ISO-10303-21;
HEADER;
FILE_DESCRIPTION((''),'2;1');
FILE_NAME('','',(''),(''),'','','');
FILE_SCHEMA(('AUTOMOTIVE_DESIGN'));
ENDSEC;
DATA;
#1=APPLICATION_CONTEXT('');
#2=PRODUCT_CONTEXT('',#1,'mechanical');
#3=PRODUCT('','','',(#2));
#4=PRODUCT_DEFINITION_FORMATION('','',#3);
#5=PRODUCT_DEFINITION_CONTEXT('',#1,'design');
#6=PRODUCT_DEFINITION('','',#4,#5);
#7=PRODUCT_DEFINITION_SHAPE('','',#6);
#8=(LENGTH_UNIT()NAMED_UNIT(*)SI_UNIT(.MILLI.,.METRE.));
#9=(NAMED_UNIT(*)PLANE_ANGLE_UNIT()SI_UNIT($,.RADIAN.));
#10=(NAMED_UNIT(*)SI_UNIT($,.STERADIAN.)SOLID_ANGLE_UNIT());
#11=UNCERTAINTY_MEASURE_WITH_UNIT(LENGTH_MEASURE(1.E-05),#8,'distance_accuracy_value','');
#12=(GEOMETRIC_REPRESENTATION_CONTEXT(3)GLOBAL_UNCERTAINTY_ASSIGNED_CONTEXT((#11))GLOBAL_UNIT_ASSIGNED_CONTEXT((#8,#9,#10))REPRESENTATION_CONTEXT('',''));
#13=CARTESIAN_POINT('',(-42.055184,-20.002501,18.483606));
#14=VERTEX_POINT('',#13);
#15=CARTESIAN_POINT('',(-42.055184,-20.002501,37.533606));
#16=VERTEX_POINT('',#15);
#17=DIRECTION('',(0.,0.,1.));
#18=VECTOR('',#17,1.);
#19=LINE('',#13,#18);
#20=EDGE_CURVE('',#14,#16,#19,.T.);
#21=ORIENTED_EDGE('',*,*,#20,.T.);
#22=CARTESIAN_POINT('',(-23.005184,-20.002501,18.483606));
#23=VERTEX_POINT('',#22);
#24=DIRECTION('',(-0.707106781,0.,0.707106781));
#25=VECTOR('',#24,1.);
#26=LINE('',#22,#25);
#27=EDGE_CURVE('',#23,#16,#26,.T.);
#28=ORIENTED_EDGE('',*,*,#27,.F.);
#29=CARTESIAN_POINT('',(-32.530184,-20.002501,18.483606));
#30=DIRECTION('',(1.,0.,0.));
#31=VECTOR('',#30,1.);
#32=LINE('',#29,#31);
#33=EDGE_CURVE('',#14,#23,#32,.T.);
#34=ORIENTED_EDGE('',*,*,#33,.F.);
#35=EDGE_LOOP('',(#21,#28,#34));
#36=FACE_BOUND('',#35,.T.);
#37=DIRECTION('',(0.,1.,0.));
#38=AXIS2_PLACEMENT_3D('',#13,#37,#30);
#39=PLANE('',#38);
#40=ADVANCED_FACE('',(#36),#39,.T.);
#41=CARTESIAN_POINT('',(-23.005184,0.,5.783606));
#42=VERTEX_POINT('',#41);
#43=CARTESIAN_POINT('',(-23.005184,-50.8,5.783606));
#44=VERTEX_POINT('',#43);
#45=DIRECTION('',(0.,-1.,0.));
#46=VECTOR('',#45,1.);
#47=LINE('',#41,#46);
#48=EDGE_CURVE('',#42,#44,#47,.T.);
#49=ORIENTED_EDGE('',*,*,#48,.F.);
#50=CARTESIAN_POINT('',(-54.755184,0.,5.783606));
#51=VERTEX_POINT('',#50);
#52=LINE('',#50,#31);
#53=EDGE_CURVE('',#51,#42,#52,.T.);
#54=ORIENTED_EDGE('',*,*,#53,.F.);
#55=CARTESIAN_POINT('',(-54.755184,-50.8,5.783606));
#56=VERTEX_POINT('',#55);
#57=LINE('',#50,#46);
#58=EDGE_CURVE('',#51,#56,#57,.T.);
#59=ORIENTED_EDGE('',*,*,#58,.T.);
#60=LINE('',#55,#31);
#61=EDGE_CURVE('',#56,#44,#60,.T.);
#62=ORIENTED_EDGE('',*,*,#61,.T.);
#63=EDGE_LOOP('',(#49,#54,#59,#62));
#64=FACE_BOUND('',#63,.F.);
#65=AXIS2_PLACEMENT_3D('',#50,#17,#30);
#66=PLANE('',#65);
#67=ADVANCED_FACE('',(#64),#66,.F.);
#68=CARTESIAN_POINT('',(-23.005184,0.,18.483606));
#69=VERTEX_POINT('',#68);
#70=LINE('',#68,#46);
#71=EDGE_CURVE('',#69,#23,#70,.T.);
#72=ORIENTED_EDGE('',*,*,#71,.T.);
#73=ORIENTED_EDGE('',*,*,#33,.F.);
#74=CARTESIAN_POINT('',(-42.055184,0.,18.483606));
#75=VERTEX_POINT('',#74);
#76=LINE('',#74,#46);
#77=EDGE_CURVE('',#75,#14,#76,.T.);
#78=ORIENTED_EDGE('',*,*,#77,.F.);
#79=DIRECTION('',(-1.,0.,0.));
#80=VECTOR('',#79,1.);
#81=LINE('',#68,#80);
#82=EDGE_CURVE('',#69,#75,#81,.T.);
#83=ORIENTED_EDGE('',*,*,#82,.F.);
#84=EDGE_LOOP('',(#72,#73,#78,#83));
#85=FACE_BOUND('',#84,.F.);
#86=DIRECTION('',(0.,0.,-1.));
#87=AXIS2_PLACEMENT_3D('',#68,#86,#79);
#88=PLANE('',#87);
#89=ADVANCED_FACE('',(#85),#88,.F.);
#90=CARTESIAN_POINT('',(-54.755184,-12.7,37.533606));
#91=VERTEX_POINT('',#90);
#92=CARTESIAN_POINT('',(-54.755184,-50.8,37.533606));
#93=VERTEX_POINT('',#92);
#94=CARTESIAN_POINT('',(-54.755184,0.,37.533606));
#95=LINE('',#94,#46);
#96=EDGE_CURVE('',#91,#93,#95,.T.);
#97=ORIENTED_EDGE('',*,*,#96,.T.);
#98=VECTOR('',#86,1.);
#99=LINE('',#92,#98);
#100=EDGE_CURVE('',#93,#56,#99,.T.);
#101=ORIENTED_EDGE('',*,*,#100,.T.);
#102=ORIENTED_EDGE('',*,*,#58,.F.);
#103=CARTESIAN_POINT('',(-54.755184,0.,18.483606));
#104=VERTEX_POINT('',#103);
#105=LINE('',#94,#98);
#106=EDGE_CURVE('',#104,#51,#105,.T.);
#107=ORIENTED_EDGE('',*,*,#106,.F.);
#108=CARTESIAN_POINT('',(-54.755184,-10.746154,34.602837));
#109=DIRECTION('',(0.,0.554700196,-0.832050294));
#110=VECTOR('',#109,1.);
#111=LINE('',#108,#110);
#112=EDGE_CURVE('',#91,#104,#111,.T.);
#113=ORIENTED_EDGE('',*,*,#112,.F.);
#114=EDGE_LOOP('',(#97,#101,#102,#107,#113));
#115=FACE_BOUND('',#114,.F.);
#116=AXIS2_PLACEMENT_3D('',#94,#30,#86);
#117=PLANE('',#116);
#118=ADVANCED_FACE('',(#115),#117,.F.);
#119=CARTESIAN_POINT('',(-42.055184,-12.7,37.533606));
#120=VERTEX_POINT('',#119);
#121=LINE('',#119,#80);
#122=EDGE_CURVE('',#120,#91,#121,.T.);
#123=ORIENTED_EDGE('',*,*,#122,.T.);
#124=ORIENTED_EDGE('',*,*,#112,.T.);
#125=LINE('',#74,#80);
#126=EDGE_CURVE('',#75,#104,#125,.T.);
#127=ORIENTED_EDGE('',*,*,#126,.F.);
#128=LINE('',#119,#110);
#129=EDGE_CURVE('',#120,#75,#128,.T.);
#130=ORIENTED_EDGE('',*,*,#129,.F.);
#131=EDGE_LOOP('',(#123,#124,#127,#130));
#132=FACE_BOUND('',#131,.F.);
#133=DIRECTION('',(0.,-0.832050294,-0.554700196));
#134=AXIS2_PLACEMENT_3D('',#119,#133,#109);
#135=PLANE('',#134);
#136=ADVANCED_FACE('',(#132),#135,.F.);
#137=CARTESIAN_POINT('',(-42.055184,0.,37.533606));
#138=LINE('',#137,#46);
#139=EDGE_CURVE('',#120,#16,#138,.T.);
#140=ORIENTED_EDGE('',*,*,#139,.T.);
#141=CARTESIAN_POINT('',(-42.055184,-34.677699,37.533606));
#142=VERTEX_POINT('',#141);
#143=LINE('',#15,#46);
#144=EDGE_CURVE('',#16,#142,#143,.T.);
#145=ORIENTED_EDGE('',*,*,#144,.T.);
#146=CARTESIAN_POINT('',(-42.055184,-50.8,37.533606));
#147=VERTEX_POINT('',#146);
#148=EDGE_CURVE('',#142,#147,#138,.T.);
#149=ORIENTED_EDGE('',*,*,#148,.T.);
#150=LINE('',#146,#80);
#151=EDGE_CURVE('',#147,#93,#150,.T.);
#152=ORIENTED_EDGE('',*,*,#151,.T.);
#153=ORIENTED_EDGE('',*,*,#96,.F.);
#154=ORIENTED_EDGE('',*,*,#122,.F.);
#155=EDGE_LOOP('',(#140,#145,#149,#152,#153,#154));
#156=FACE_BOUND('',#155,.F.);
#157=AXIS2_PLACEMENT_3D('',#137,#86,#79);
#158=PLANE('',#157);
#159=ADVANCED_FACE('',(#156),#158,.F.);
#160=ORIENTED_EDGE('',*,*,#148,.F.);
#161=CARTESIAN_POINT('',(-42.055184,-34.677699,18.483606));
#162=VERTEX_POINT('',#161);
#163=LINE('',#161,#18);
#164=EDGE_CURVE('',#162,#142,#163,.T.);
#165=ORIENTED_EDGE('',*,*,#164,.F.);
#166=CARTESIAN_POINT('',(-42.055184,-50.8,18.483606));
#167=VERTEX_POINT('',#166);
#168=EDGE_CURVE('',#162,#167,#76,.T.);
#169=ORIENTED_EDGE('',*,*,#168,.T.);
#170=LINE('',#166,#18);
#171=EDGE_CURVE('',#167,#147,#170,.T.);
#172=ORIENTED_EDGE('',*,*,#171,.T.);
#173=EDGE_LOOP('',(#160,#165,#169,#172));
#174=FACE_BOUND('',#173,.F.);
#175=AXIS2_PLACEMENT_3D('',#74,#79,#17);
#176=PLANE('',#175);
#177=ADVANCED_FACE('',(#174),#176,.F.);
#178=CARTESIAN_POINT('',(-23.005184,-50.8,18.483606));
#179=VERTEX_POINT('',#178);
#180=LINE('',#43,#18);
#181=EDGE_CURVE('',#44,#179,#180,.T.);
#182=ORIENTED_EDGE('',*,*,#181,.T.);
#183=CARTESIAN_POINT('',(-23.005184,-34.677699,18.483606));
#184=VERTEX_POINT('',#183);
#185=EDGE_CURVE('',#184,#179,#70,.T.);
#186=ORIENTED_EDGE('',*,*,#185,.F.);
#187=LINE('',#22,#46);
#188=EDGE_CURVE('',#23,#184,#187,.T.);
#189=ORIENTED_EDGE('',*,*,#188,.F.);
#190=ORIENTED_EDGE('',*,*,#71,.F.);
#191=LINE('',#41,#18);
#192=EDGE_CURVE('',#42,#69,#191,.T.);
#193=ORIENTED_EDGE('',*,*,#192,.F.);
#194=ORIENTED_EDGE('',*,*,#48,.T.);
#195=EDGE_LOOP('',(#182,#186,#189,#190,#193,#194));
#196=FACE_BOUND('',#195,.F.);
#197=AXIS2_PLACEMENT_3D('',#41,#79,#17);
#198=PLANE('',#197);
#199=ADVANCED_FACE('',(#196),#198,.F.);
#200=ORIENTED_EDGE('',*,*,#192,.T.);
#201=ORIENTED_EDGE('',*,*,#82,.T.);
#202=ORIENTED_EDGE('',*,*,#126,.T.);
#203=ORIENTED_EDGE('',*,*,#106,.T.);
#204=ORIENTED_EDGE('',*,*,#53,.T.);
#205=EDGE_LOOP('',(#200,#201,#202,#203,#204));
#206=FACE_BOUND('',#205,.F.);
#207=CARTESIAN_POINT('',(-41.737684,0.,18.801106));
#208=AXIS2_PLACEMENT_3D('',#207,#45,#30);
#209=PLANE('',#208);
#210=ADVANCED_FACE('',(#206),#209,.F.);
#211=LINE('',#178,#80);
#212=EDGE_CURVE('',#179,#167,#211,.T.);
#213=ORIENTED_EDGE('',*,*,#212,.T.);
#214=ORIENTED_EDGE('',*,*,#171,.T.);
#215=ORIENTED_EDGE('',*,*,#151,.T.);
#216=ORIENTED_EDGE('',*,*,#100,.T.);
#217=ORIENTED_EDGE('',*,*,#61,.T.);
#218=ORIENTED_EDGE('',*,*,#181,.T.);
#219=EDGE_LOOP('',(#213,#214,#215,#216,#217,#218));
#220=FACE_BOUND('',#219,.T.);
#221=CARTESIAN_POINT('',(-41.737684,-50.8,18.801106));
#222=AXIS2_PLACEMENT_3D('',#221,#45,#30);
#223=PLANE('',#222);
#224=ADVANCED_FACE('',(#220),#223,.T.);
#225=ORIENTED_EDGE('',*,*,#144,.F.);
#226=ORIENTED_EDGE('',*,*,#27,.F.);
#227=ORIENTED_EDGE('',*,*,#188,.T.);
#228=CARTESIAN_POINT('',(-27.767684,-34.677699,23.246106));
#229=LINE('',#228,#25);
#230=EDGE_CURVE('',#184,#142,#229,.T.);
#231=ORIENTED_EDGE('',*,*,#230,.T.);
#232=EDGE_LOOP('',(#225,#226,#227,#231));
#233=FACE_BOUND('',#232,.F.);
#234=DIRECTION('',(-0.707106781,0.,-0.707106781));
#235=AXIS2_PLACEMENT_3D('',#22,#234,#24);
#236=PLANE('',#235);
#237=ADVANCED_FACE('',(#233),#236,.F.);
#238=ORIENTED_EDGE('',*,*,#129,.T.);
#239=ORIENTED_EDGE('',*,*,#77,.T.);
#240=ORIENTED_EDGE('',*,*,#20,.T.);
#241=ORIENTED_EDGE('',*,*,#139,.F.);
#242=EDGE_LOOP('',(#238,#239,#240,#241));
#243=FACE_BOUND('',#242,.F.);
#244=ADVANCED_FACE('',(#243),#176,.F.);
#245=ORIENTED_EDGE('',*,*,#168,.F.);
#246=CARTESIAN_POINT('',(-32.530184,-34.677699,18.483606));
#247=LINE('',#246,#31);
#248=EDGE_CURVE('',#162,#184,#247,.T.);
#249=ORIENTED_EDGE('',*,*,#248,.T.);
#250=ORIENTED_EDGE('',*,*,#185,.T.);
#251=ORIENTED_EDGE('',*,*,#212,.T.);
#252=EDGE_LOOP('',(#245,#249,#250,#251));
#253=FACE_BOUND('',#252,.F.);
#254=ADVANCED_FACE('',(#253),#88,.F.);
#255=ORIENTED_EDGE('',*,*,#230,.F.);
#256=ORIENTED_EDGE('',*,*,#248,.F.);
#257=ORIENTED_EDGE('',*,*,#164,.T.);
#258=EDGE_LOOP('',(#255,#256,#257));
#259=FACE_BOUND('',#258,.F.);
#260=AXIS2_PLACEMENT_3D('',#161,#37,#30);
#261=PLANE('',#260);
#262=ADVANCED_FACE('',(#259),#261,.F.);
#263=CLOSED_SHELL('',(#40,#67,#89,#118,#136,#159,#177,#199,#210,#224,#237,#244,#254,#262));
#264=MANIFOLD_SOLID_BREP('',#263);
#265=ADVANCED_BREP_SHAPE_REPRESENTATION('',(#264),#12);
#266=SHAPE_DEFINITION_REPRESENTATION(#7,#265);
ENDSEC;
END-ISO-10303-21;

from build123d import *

# Parameters (mm, degrees)
F1_DEPTH = 50.8
F3_DEPTH = 12.701
F4_W     = 19.05
F4_H     = 14.675198
F5_DEPTH = 19.05
F7_DEPTH = 30.798499


with BuildPart() as f1:
    # F0 (on Front) → F1 (new body)
    with BuildSketch(Plane.XZ):
        Polygon((-42.055184, 37.533606), (-54.755184, 37.533606), (-54.755184, 5.783606), (-23.005184, 5.783606), (-23.005184, 18.483606), (-42.055184, 18.483606), align=None)
    extrude(amount=F1_DEPTH)

    # F2 (on face) → F3 (cut, through all)
    with BuildSketch(Plane.YZ.offset(-42.055184)):
        Polygon((0, 37.533606), (-12.7, 37.533606), (0, 18.483606), align=None)
    extrude(amount=-F3_DEPTH, mode=Mode.SUBTRACT)

    # F4 (on face) → F5 (join)
    with BuildSketch(Plane.XY.offset(18.483606)):
        with Locations((-32.530184, -27.3401)):
            Rectangle(F4_W, F4_H)
    extrude(amount=F5_DEPTH)

    # F6 (on face) → F7 (cut, through all)
    with BuildSketch(Plane(origin=(0, -20.002501, 0), x_dir=(-1, 0, 0), z_dir=(0, 1, 0))):
        Polygon((23.005184, 18.483606), (42.055184, 37.533606), (23.005184, 37.533606), align=None)
    extrude(amount=-F7_DEPTH, mode=Mode.SUBTRACT)


solid = f1.part
